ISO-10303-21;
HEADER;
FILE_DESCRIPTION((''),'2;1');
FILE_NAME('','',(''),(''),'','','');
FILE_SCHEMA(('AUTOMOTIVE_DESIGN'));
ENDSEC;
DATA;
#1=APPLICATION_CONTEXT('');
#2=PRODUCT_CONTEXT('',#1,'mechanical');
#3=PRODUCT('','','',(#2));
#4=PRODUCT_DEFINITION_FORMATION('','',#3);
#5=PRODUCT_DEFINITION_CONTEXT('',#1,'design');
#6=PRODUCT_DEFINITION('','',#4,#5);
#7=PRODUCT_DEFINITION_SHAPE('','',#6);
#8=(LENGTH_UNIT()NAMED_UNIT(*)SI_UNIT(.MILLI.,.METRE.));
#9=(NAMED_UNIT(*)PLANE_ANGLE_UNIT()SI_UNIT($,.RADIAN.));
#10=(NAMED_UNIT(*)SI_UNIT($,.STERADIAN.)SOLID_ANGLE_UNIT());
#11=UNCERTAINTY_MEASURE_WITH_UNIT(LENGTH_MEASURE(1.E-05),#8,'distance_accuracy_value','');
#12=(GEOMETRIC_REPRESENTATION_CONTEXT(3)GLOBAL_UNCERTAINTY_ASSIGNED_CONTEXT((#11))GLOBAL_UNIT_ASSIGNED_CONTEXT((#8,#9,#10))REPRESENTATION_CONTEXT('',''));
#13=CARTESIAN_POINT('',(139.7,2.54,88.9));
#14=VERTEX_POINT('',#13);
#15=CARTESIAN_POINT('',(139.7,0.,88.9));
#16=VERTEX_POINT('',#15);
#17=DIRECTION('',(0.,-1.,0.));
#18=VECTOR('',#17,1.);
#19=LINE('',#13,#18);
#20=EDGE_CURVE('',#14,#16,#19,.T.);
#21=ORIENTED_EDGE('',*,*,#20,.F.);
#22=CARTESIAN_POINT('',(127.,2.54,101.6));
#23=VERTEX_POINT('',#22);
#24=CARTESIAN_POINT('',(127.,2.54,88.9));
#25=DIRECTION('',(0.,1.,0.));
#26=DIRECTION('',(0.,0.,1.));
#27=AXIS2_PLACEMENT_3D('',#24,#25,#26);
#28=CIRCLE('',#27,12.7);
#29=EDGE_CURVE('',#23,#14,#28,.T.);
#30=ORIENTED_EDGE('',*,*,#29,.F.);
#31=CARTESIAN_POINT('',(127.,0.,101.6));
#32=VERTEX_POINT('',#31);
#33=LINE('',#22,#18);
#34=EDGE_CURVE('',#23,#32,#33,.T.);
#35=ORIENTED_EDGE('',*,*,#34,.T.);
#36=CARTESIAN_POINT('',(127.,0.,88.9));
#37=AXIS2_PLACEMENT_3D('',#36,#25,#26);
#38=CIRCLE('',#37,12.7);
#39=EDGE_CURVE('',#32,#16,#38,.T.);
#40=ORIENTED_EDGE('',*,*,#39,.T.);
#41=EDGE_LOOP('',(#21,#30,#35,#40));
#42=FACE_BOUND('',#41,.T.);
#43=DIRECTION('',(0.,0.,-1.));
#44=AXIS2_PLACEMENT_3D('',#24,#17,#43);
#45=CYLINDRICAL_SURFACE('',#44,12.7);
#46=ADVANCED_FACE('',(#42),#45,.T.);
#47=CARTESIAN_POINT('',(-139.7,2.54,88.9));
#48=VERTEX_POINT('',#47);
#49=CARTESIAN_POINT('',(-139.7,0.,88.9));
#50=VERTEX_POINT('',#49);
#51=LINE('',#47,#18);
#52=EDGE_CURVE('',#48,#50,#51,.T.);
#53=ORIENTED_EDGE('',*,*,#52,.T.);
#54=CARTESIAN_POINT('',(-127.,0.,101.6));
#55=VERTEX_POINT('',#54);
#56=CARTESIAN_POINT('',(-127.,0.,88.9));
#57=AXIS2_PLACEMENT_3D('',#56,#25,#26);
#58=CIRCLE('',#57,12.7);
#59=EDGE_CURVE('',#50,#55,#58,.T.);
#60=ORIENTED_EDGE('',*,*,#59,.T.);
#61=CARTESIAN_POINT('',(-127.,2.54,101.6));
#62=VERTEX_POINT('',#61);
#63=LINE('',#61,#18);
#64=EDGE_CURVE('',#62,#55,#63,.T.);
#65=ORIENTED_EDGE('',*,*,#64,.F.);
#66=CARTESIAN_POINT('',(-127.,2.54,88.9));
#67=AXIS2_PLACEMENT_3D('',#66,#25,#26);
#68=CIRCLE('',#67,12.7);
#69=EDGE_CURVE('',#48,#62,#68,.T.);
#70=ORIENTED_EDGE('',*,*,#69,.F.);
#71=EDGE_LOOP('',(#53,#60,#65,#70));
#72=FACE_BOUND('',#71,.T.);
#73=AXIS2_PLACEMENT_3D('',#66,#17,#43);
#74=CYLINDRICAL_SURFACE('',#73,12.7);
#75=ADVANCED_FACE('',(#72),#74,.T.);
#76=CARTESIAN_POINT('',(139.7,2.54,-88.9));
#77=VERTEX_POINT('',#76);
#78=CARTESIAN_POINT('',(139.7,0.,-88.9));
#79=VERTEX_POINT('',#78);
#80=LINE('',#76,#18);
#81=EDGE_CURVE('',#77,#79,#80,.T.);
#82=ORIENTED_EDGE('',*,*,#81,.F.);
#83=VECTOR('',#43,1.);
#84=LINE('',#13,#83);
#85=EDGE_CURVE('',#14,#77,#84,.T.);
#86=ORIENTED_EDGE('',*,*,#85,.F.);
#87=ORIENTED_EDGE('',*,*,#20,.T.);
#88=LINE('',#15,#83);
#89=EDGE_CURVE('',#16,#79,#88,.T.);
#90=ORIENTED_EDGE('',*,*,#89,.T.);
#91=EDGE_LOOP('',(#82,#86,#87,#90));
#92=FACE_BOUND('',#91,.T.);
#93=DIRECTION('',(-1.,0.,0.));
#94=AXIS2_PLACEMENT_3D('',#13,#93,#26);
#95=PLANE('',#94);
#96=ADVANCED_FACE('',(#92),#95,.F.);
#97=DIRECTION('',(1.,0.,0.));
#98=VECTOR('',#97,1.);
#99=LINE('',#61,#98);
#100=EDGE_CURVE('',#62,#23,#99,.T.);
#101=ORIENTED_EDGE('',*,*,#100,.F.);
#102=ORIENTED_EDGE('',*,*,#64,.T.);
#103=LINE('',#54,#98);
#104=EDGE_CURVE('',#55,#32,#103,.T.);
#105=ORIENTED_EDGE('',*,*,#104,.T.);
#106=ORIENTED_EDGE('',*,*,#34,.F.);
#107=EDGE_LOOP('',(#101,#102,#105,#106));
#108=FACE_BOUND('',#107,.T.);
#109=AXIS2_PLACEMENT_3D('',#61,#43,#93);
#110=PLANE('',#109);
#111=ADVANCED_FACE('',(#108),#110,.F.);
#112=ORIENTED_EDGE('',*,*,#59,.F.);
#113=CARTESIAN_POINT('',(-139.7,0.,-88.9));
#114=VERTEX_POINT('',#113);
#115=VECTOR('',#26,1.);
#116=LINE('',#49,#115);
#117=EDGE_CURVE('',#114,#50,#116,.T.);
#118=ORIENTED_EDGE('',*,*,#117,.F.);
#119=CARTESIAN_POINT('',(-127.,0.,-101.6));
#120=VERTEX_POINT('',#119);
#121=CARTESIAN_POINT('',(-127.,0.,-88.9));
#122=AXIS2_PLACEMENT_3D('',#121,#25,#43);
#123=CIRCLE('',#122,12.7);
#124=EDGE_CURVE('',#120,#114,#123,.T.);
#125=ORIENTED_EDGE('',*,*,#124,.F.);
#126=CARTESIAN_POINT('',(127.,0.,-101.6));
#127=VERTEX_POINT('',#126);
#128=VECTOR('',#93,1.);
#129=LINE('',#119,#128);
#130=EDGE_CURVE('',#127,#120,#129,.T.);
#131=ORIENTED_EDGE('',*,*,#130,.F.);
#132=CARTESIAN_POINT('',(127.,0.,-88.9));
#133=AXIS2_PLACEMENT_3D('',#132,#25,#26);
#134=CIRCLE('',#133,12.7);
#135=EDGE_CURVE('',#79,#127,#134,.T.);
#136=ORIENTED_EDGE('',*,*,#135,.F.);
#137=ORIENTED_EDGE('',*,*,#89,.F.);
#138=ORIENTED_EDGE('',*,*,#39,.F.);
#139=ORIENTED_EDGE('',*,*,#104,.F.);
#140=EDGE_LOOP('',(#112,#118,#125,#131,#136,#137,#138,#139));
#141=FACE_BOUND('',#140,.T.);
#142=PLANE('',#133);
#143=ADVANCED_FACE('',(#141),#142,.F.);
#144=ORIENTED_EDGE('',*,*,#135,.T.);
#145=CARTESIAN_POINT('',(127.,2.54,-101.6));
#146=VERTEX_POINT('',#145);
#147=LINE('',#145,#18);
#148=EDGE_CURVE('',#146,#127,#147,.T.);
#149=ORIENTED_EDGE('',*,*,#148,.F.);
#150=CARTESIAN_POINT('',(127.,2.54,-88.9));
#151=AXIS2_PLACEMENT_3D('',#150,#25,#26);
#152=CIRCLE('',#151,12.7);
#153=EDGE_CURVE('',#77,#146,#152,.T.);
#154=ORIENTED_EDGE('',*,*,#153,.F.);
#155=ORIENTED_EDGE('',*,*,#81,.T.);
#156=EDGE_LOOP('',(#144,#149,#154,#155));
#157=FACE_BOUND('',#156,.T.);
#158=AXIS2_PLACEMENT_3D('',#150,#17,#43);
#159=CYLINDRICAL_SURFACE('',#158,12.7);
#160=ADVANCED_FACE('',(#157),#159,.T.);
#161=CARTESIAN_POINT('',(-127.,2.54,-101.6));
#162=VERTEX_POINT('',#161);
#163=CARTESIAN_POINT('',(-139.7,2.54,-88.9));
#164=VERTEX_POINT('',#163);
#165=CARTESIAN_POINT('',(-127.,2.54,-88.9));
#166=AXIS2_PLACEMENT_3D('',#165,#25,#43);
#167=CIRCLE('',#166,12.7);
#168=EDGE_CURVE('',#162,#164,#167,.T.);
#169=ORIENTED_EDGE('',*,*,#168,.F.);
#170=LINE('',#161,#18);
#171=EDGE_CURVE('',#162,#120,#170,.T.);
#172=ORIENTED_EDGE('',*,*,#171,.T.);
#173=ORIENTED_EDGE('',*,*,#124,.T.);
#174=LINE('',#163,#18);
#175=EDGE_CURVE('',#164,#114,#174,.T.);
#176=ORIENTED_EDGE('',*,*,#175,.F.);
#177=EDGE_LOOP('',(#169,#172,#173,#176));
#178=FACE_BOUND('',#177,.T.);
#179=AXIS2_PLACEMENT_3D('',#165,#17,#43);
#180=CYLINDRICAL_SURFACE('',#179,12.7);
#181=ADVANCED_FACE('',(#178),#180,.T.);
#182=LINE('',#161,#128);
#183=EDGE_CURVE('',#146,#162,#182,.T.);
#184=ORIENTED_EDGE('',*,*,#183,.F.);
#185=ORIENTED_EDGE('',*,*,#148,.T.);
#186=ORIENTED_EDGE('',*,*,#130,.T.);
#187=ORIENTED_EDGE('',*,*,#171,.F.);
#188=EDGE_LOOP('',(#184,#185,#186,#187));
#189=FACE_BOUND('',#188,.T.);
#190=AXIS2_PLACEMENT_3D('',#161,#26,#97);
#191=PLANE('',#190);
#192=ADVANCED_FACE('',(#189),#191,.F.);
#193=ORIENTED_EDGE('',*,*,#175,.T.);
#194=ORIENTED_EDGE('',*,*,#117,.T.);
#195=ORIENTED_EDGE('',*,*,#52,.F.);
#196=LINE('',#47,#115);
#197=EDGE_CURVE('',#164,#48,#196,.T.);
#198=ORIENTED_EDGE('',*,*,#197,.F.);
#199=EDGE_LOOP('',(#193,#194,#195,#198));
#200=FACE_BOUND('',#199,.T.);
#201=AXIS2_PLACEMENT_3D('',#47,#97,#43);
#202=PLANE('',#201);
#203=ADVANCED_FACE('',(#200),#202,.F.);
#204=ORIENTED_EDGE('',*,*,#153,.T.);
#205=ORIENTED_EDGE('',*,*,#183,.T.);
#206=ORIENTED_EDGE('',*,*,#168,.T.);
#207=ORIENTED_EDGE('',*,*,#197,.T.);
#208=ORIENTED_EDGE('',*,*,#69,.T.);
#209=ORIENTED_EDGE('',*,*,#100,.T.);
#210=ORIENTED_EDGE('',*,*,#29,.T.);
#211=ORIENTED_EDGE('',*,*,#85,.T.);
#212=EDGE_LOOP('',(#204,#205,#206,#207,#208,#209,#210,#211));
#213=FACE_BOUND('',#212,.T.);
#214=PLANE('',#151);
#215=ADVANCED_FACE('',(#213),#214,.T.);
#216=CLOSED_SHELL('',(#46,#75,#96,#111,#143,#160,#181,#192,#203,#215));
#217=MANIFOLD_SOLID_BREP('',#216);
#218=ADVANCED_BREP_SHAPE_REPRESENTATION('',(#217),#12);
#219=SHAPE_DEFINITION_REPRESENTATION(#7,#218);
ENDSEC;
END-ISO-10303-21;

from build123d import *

# Parameters (mm, degrees)
BOSS_EXTRUDE1_DEPTH = 2.54


with BuildPart() as part:
    # Sketch1 → Boss-Extrude1 (new body)
    with BuildSketch(Plane(origin=(0, 0, 0), x_dir=(1, 0, 0), z_dir=(0, 1, 0))):
        with BuildLine():
            Line((-127, -101.6), (127, -101.6))
            ThreePointArc((127, -101.6), (135.980256121, -97.880256121), (139.7, -88.9))
            Line((139.7, -88.9), (139.7, 88.9))
            ThreePointArc((139.7, 88.9), (135.980256121, 97.880256121), (127, 101.6))
            Line((127, 101.6), (-127, 101.6))
            ThreePointArc((-127, 101.6), (-135.980256121, 97.880256121), (-139.7, 88.9))
            Line((-139.7, 88.9), (-139.7, -88.9))
            ThreePointArc((-139.7, -88.9), (-135.980256121, -97.880256121), (-127, -101.6))
        make_face()
    extrude(amount=BOSS_EXTRUDE1_DEPTH)


solid = part.part
